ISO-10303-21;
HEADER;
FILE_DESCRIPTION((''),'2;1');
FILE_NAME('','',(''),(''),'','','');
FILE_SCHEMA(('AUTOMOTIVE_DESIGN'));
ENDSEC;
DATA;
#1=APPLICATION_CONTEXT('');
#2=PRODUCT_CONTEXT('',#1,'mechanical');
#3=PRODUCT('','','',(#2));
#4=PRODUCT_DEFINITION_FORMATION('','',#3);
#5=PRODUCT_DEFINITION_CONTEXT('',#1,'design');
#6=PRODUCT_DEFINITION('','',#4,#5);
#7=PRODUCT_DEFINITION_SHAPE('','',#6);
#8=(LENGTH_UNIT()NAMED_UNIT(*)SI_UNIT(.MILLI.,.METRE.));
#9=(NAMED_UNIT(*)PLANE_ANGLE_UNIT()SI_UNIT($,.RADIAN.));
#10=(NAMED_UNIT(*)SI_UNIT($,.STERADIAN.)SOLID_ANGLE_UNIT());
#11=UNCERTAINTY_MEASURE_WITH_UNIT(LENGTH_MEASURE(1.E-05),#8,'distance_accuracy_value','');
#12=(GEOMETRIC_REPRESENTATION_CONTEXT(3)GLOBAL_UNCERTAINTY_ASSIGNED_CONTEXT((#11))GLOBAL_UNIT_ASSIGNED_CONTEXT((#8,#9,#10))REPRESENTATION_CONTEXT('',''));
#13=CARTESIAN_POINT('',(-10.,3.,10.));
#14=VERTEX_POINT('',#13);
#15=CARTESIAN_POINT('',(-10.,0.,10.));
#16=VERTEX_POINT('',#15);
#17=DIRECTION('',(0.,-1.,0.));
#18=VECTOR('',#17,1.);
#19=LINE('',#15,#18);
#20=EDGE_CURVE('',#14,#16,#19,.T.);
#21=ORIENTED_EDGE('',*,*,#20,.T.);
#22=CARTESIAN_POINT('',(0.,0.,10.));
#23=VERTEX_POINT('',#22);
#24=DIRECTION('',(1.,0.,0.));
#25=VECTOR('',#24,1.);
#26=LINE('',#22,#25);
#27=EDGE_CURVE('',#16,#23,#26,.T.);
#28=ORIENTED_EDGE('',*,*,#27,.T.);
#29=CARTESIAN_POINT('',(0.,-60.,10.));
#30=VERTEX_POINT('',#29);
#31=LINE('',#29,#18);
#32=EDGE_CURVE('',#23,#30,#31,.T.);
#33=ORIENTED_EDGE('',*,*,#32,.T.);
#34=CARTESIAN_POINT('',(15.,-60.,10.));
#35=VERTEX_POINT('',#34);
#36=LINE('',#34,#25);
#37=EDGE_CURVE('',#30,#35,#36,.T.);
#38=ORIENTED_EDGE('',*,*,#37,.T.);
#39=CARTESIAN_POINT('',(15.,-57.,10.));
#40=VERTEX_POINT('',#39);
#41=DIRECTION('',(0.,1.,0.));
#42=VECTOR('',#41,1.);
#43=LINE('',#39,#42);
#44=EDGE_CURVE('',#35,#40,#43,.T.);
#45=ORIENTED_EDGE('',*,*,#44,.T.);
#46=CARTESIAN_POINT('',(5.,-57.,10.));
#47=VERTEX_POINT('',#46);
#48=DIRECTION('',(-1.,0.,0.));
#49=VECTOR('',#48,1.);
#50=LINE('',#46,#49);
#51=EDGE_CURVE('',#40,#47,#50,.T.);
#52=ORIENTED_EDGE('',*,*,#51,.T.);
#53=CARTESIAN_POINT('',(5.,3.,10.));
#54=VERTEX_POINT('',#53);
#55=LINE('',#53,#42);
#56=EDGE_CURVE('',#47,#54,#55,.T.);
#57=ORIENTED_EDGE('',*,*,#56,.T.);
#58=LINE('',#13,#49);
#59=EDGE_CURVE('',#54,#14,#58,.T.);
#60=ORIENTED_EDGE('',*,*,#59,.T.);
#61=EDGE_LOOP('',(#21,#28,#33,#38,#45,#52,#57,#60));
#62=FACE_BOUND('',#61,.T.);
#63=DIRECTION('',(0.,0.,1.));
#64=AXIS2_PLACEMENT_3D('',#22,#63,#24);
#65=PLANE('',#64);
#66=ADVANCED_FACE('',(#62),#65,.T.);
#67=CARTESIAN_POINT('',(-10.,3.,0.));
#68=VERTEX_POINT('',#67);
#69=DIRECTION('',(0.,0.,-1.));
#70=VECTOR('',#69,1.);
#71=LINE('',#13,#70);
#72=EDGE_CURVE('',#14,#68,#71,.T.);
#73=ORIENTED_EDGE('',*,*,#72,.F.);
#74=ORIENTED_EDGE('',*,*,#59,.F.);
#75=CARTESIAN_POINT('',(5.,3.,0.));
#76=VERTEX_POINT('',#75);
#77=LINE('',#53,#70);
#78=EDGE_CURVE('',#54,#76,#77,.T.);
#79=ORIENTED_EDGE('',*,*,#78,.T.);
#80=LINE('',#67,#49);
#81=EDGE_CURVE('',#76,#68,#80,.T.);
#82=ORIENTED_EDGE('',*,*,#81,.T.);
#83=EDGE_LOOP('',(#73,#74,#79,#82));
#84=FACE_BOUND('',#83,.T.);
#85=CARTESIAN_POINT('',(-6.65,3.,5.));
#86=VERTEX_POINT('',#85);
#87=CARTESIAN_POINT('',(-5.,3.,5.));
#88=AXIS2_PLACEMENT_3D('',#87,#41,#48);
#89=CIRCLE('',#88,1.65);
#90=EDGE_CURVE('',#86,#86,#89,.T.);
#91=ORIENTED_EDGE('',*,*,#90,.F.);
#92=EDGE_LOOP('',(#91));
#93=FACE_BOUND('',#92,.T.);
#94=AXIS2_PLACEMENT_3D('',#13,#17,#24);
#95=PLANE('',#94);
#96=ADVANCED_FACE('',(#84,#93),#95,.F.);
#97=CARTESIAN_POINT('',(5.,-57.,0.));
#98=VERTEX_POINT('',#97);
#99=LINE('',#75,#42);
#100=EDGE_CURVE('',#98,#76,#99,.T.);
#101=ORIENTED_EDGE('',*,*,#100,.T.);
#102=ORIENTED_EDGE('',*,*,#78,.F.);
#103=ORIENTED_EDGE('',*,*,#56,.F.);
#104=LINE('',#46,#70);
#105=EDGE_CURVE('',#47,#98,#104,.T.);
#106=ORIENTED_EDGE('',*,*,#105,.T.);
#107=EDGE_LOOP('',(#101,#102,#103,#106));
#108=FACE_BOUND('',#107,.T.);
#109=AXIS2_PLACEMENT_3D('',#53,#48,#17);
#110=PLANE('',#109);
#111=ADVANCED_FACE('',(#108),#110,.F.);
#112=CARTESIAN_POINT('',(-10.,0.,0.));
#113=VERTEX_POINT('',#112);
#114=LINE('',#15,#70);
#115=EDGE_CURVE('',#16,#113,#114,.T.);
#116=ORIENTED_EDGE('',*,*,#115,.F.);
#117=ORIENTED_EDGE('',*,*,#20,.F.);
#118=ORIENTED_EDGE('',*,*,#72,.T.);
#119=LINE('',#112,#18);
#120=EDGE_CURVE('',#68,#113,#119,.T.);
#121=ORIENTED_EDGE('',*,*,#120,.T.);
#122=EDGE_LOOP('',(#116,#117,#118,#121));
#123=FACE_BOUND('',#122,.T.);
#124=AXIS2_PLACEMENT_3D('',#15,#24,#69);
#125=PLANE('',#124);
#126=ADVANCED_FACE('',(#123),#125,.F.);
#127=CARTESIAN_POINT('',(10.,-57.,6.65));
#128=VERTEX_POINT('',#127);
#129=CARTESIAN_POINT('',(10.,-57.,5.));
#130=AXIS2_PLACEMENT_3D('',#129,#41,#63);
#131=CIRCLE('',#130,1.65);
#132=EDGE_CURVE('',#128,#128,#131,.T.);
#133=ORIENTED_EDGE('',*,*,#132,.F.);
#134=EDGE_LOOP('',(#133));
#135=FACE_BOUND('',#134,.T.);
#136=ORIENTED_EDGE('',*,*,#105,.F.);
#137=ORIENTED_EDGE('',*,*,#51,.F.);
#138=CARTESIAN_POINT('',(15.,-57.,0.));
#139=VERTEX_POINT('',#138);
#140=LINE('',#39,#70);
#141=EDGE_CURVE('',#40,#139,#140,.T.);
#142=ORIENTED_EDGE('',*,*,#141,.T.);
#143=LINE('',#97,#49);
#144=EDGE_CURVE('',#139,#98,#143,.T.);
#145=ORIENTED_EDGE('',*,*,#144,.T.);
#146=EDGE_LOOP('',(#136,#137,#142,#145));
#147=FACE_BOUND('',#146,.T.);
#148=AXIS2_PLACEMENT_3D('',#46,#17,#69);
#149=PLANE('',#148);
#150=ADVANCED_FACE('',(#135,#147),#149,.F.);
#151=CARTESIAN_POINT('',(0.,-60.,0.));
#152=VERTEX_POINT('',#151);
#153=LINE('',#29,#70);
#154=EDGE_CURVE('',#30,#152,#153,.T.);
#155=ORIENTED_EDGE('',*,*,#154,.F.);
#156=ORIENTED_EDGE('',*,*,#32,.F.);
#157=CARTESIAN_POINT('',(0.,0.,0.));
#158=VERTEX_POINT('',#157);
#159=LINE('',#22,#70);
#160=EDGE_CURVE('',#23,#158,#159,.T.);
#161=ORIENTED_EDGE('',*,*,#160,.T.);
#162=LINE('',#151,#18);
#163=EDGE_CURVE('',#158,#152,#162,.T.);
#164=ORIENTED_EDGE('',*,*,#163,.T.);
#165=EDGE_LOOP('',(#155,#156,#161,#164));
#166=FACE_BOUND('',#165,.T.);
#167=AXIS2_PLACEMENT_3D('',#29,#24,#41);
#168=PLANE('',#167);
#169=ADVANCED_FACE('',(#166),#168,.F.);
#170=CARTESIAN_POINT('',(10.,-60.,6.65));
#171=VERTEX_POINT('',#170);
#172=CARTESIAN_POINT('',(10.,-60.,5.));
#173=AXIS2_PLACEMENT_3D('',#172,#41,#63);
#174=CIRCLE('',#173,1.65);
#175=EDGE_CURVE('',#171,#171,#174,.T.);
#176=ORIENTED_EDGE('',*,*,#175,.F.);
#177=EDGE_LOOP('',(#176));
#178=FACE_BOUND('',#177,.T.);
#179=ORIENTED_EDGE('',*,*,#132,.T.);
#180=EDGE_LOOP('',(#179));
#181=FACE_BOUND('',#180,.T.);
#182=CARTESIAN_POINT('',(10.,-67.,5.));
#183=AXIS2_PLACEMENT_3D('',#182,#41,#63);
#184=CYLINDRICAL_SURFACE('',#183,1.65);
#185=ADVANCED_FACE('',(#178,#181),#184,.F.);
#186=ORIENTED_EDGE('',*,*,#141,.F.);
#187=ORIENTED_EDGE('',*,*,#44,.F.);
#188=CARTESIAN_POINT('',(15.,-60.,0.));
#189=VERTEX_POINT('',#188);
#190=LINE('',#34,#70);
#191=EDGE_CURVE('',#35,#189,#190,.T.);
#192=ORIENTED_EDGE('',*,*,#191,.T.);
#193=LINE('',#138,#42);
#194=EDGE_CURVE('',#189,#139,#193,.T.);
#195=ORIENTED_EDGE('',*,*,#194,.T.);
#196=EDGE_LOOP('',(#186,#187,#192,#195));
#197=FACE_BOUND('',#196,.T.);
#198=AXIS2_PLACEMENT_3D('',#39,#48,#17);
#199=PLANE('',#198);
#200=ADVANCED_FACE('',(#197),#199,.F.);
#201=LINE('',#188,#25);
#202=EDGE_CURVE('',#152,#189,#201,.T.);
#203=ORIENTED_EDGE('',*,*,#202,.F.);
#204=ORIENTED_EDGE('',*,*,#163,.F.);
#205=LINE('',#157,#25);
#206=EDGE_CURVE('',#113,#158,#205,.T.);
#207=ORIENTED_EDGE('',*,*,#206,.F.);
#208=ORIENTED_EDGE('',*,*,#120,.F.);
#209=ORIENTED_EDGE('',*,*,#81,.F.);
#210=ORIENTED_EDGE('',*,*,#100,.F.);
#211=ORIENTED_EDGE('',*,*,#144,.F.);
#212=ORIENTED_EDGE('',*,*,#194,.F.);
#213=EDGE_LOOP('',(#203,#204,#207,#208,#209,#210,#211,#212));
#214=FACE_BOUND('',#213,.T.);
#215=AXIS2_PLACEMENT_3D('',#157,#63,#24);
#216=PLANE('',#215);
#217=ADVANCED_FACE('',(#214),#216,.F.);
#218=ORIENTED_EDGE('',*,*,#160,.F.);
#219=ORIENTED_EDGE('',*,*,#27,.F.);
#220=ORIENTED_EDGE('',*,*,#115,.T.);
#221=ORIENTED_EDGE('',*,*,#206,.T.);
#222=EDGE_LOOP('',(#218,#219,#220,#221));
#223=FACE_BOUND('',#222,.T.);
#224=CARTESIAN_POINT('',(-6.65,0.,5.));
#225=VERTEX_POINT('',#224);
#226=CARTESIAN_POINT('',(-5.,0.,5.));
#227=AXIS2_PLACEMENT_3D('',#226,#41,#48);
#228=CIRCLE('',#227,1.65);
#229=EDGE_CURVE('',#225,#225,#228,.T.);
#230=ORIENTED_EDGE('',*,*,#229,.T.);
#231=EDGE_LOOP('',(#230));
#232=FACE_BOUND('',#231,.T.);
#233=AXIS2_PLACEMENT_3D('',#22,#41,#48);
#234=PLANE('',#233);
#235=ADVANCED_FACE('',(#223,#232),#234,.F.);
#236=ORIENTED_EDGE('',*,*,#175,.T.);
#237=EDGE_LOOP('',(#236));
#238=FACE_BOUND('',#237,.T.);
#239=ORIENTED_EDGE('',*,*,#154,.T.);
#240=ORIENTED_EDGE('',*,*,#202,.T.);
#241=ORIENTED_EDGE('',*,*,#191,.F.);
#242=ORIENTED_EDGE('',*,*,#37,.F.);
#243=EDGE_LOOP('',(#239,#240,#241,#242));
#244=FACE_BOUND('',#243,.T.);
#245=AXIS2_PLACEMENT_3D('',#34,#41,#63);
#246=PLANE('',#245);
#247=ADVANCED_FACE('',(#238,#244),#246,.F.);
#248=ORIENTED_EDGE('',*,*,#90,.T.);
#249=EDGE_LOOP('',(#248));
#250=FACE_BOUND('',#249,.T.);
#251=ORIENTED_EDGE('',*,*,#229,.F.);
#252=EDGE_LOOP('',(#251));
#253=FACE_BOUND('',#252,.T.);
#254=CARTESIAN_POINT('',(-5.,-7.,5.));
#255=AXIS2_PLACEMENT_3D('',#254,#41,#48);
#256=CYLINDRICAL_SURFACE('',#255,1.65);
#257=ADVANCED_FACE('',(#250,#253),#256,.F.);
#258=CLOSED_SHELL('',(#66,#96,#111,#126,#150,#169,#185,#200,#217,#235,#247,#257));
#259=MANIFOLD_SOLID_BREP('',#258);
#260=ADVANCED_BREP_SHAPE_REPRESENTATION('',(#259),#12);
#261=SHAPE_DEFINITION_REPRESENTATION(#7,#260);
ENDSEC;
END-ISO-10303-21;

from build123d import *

# Parameters (mm, degrees)
EXTRUDE_1_DEPTH     = 10
SKETCH_3_R          = 1.65
CUT_EXTRUDE_1_DEPTH = 10
SKETCH_4_R          = 1.65
CUT_EXTRUDE_2_DEPTH = 10


with BuildPart() as part:
    # ｽｹｯﾁ1 → ﾎﾞｽ - 押し出し1 (new body)
    with BuildSketch(Plane.XY):
        Polygon((0, 0), (-10, 0), (-10, 3), (5, 3), (5, -57), (15, -57), (15, -60), (0, -60), align=None)
    extrude(amount=EXTRUDE_1_DEPTH)

    # ｽｹｯﾁ3 → ｶｯﾄ - 押し出し1 (cut)
    with BuildSketch(Plane(origin=(0, 3, 0), x_dir=(1, 0, 0), z_dir=(0, 1, 0))):
        with Locations(Location((-5, -5, 0), (0, 0, 180))):
            Circle(SKETCH_3_R)
    extrude(amount=-CUT_EXTRUDE_1_DEPTH, mode=Mode.SUBTRACT)

    # ｽｹｯﾁ4 → ｶｯﾄ - 押し出し2 (cut)
    with BuildSketch(Plane(origin=(0, -57, 0), x_dir=(1, 0, 0), z_dir=(0, 1, 0))):
        with Locations(Location((10, -5, 0), (0, 0, 270))):
            Circle(SKETCH_4_R)
    extrude(amount=-CUT_EXTRUDE_2_DEPTH, mode=Mode.SUBTRACT)


solid = part.part
